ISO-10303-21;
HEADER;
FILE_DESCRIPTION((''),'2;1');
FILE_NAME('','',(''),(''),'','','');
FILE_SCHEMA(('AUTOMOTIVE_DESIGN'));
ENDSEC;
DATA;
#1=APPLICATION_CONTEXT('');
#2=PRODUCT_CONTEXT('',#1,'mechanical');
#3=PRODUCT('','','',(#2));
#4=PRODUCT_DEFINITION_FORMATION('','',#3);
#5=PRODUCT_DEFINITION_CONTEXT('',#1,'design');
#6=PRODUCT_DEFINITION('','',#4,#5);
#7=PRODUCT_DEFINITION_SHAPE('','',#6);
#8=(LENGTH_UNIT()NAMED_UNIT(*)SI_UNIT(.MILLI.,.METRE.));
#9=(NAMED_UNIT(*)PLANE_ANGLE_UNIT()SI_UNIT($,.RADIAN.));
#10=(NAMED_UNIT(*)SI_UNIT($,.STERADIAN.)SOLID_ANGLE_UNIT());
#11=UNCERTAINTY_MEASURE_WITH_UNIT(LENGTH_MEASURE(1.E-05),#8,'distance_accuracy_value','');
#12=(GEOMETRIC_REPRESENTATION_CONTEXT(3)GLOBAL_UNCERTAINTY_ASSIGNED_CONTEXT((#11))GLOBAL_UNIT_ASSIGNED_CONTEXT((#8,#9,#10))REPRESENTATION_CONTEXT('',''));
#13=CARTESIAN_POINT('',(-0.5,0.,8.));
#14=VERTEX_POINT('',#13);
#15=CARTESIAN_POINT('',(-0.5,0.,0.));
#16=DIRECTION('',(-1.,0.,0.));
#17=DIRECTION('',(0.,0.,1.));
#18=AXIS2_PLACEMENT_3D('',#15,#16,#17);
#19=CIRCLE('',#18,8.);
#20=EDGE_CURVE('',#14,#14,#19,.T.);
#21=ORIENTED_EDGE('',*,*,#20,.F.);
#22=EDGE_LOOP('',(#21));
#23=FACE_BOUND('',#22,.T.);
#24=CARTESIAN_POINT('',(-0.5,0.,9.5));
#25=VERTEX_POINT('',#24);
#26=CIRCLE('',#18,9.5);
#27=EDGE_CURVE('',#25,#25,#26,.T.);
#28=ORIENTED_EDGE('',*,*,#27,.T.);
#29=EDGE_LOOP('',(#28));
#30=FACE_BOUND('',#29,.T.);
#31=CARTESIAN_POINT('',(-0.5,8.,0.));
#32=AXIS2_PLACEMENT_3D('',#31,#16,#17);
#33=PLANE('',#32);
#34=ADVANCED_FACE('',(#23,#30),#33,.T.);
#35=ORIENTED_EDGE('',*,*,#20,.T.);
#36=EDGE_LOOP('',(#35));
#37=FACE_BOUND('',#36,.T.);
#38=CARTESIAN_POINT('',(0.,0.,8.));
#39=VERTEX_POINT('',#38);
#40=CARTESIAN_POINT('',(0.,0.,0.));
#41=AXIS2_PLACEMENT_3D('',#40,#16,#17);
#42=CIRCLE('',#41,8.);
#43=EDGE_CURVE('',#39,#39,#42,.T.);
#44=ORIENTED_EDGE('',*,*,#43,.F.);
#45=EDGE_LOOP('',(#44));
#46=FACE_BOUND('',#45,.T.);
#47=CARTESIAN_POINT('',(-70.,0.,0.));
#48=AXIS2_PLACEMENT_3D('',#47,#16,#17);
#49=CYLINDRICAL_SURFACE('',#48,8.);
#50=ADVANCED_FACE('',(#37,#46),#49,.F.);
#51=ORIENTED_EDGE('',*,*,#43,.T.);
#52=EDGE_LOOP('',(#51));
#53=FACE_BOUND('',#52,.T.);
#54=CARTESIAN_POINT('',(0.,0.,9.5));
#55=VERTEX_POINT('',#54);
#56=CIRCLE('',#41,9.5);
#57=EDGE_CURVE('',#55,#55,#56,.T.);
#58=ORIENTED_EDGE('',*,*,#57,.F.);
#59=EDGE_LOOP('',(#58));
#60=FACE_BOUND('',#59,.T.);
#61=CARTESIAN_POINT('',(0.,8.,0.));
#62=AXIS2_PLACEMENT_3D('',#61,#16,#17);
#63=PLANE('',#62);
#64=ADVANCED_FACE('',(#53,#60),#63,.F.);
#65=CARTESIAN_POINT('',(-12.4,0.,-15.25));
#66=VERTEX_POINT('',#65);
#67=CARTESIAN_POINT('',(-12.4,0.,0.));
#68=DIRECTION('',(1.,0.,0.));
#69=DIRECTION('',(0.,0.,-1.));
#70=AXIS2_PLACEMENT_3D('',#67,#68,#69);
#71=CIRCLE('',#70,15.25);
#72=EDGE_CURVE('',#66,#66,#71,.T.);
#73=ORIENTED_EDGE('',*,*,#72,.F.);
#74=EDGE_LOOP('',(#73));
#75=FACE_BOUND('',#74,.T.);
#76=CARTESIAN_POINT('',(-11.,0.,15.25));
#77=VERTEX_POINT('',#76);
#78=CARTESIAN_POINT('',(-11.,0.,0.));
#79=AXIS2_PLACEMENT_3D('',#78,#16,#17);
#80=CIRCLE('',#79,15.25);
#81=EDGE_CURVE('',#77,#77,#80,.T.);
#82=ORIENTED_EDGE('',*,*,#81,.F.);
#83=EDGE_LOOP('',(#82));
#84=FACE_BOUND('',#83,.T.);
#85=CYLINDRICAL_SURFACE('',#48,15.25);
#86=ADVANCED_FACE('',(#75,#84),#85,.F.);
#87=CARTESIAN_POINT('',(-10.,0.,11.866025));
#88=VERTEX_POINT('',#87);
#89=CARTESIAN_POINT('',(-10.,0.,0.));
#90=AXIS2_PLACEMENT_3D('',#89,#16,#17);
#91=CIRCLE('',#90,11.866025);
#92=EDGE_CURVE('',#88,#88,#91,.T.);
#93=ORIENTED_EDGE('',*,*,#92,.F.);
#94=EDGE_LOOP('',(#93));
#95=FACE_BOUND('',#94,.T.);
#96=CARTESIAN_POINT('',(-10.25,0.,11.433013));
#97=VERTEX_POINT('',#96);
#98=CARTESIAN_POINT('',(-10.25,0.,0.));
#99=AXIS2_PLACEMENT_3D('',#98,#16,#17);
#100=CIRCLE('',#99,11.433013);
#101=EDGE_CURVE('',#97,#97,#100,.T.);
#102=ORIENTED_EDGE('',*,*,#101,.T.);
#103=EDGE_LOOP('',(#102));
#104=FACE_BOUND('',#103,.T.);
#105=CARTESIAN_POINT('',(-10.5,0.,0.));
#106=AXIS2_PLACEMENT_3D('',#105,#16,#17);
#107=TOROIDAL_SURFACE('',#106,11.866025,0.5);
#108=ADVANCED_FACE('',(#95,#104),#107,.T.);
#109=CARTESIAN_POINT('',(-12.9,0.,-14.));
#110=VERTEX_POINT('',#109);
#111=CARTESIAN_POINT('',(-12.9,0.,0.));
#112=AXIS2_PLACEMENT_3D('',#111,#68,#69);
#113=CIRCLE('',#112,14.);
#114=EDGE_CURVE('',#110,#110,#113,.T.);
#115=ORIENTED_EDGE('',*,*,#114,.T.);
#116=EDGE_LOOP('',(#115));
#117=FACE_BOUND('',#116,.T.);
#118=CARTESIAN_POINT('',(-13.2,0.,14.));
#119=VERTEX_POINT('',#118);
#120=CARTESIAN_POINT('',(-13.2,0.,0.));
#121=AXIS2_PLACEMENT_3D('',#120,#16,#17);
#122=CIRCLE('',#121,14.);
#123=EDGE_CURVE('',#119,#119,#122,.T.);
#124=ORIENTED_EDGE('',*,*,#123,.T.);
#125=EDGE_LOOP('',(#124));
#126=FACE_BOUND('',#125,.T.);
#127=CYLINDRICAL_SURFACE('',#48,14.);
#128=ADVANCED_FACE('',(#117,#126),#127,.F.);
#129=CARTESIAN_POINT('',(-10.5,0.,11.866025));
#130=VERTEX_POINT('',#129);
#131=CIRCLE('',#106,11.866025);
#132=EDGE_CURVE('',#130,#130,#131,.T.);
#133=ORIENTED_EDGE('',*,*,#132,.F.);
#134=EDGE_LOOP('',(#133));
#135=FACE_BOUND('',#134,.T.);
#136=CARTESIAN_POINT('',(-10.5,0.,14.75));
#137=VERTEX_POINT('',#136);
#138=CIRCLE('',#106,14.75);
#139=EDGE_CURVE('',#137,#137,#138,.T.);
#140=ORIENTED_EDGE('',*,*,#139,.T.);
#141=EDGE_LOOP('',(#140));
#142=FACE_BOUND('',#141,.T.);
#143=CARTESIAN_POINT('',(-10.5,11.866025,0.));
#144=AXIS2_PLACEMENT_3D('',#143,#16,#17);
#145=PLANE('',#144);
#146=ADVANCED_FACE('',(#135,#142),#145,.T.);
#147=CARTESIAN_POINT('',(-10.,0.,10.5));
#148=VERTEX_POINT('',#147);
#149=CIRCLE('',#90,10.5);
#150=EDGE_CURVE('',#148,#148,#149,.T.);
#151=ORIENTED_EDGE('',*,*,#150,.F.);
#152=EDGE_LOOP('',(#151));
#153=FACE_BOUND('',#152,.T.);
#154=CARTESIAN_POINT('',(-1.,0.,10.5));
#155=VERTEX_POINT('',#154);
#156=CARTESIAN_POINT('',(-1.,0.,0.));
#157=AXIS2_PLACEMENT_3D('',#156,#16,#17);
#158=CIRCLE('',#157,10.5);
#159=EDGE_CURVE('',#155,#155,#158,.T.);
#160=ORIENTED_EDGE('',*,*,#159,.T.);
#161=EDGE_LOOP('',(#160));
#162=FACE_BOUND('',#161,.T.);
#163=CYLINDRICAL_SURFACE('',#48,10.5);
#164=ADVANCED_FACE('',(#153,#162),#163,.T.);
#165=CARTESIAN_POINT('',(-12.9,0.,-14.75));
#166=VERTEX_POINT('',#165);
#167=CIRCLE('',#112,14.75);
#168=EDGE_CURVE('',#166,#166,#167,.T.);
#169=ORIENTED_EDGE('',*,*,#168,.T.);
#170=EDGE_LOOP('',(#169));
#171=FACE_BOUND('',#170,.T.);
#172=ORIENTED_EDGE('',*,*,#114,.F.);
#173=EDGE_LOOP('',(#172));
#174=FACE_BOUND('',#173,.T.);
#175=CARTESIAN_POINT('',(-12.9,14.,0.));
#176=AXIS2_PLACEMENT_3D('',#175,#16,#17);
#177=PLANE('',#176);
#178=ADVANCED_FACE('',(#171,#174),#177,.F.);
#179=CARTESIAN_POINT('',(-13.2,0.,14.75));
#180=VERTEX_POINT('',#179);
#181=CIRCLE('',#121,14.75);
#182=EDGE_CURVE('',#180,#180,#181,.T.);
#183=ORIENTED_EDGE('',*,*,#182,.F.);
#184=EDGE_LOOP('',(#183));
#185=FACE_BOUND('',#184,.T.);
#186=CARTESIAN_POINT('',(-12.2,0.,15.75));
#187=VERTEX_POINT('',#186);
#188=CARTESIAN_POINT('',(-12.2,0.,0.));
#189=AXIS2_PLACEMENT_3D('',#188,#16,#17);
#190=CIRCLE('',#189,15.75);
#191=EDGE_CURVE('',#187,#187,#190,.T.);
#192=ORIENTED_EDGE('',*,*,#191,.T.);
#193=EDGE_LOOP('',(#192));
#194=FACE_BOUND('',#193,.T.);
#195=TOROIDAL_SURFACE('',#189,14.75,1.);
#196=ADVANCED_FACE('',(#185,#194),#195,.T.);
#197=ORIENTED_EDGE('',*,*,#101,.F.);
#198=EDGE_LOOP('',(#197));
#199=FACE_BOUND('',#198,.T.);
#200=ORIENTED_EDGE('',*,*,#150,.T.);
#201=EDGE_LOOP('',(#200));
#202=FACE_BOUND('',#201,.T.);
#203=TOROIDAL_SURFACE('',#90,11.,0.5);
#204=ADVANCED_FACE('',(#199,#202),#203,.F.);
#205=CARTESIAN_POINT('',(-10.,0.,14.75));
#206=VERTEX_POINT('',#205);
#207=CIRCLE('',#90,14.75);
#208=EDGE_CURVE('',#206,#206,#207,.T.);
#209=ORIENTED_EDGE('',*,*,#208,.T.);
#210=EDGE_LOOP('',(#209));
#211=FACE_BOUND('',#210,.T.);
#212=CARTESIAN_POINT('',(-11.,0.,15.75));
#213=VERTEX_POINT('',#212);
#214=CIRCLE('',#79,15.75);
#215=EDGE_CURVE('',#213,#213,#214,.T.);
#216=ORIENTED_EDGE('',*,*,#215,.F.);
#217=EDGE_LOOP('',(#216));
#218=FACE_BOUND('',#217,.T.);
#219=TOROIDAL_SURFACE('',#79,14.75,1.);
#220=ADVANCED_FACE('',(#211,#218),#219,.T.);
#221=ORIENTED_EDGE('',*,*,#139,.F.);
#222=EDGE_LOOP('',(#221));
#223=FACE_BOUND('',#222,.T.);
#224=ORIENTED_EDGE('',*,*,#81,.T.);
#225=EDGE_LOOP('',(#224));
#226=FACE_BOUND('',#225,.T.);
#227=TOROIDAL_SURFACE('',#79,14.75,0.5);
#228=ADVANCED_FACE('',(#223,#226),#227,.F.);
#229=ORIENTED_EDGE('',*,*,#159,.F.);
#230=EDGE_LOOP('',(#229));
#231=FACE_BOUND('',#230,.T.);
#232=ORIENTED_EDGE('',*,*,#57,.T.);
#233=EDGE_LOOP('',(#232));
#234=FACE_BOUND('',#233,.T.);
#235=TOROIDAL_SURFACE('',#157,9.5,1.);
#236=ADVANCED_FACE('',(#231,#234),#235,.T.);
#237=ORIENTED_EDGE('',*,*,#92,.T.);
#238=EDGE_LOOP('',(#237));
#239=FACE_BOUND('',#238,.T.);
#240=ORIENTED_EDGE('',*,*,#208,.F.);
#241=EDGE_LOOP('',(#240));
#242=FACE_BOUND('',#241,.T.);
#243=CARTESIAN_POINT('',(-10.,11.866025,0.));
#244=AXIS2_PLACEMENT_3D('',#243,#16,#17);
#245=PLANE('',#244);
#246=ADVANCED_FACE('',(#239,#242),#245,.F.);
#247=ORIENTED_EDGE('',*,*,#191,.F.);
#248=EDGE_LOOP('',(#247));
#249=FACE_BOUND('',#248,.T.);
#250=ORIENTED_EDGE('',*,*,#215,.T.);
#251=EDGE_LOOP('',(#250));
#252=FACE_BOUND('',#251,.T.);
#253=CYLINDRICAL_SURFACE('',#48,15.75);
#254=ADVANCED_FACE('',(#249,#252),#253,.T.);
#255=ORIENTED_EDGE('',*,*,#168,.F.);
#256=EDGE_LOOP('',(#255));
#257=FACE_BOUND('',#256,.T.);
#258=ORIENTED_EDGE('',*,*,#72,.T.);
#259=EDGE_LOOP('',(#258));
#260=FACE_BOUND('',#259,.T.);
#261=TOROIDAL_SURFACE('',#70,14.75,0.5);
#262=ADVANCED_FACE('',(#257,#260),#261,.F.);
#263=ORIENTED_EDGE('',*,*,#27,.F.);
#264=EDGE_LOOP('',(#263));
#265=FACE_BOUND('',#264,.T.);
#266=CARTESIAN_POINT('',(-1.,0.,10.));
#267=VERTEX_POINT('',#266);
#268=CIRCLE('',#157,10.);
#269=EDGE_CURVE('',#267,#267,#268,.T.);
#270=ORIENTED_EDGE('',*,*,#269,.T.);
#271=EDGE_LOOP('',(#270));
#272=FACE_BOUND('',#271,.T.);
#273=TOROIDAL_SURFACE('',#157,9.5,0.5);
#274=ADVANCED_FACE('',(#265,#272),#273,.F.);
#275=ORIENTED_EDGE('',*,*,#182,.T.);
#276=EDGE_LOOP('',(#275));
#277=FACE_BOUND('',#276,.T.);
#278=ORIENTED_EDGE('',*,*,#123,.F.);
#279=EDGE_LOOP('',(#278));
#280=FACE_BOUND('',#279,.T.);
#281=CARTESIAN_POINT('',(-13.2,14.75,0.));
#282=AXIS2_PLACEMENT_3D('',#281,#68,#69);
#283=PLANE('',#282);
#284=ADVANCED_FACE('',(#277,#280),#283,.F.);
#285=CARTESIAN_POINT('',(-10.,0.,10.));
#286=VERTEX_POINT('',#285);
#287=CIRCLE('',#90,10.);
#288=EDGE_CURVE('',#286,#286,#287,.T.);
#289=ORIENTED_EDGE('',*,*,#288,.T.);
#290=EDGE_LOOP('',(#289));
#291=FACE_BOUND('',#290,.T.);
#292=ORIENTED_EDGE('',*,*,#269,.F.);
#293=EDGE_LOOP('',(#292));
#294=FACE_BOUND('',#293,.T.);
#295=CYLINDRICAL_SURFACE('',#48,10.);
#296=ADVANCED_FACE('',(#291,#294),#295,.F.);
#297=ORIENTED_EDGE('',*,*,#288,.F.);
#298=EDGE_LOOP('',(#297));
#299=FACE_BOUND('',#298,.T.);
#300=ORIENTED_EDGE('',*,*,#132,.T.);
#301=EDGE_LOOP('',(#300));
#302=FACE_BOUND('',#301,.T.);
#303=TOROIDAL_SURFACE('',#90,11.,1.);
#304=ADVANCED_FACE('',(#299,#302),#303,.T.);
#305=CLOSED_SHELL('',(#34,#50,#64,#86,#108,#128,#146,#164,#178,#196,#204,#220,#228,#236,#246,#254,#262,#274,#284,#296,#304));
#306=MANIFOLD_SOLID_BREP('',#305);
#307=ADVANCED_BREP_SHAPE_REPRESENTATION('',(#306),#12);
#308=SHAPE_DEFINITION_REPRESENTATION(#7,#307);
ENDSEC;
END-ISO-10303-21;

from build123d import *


with BuildPart() as part:
    # Esquisse1 → Base-Révol.-Mince (revolve)
    with BuildSketch(Plane.XY):
        with BuildLine():
            Line((0, 8), (0, 9.5))
            ThreePointArc((0, 9.5), (-0.292893219, 10.207106781), (-1, 10.5))
            Line((-1, 10.5), (-10, 10.5))
            ThreePointArc((-10, 10.5), (-10.482962913, 10.870590477), (-10.25, 11.433012702))
            ThreePointArc((-10.25, 11.433012702), (-10.066987298, 11.616025404), (-10, 11.866025404))
            Line((-10, 11.866025404), (-10, 14.75))
            ThreePointArc((-10, 14.75), (-10.292893219, 15.457106781), (-11, 15.75))
            Line((-11, 15.75), (-12.2, 15.75))
            ThreePointArc((-12.2, 15.75), (-12.907106781, 15.457106781), (-13.2, 14.75))
            Line((-13.2, 14.75), (-13.2, 14))
            Line((-13.2, 14), (-12.7, 14))
            Line((-12.7, 14), (-12.7, 14.75))
            ThreePointArc((-12.7, 14.75), (-12.553553391, 15.103553391), (-12.2, 15.25))
            Line((-12.2, 15.25), (-11, 15.25))
            ThreePointArc((-11, 15.25), (-10.646446609, 15.103553391), (-10.5, 14.75))
            Line((-10.5, 14.75), (-10.5, 11.866025404))
            ThreePointArc((-10.5, 11.866025404), (-10.965925826, 10.741180955), (-10, 10))
            Line((-10, 10), (-1, 10))
            ThreePointArc((-1, 10), (-0.646446609, 9.853553391), (-0.5, 9.5))
            Line((-0.5, 9.5), (-0.5, 8))
            Line((-0.5, 8), (0, 8))
        make_face()
    revolve(axis=Axis((-70, 0, 0), (1, 0, 0)))

    # Esquisse2 → Enlèvement de matière-Révolution1 (revolve, cut)
    with BuildSketch(Plane.XY):
        with BuildLine():
            Line((-12.9, 14), (-12.9, 14.75))
            ThreePointArc((-12.9, 14.75), (-12.753553391, 15.103553391), (-12.4, 15.25))
            Line((-12.4, 15.25), (-11, 15.25))
            Line((-11, 15.25), (-12.286824089, 15.023098194))
            ThreePointArc((-12.286824089, 15.023098194), (-12.583022222, 14.852088122), (-12.7, 14.530694317))
            Line((-12.7, 14.530694317), (-12.7, 14))
            Line((-12.7, 14), (-12.9, 14))
        make_face()
    revolve(axis=Axis((4.1, 0, 0), (-1, 0, 0)), mode=Mode.SUBTRACT)


solid = part.part
